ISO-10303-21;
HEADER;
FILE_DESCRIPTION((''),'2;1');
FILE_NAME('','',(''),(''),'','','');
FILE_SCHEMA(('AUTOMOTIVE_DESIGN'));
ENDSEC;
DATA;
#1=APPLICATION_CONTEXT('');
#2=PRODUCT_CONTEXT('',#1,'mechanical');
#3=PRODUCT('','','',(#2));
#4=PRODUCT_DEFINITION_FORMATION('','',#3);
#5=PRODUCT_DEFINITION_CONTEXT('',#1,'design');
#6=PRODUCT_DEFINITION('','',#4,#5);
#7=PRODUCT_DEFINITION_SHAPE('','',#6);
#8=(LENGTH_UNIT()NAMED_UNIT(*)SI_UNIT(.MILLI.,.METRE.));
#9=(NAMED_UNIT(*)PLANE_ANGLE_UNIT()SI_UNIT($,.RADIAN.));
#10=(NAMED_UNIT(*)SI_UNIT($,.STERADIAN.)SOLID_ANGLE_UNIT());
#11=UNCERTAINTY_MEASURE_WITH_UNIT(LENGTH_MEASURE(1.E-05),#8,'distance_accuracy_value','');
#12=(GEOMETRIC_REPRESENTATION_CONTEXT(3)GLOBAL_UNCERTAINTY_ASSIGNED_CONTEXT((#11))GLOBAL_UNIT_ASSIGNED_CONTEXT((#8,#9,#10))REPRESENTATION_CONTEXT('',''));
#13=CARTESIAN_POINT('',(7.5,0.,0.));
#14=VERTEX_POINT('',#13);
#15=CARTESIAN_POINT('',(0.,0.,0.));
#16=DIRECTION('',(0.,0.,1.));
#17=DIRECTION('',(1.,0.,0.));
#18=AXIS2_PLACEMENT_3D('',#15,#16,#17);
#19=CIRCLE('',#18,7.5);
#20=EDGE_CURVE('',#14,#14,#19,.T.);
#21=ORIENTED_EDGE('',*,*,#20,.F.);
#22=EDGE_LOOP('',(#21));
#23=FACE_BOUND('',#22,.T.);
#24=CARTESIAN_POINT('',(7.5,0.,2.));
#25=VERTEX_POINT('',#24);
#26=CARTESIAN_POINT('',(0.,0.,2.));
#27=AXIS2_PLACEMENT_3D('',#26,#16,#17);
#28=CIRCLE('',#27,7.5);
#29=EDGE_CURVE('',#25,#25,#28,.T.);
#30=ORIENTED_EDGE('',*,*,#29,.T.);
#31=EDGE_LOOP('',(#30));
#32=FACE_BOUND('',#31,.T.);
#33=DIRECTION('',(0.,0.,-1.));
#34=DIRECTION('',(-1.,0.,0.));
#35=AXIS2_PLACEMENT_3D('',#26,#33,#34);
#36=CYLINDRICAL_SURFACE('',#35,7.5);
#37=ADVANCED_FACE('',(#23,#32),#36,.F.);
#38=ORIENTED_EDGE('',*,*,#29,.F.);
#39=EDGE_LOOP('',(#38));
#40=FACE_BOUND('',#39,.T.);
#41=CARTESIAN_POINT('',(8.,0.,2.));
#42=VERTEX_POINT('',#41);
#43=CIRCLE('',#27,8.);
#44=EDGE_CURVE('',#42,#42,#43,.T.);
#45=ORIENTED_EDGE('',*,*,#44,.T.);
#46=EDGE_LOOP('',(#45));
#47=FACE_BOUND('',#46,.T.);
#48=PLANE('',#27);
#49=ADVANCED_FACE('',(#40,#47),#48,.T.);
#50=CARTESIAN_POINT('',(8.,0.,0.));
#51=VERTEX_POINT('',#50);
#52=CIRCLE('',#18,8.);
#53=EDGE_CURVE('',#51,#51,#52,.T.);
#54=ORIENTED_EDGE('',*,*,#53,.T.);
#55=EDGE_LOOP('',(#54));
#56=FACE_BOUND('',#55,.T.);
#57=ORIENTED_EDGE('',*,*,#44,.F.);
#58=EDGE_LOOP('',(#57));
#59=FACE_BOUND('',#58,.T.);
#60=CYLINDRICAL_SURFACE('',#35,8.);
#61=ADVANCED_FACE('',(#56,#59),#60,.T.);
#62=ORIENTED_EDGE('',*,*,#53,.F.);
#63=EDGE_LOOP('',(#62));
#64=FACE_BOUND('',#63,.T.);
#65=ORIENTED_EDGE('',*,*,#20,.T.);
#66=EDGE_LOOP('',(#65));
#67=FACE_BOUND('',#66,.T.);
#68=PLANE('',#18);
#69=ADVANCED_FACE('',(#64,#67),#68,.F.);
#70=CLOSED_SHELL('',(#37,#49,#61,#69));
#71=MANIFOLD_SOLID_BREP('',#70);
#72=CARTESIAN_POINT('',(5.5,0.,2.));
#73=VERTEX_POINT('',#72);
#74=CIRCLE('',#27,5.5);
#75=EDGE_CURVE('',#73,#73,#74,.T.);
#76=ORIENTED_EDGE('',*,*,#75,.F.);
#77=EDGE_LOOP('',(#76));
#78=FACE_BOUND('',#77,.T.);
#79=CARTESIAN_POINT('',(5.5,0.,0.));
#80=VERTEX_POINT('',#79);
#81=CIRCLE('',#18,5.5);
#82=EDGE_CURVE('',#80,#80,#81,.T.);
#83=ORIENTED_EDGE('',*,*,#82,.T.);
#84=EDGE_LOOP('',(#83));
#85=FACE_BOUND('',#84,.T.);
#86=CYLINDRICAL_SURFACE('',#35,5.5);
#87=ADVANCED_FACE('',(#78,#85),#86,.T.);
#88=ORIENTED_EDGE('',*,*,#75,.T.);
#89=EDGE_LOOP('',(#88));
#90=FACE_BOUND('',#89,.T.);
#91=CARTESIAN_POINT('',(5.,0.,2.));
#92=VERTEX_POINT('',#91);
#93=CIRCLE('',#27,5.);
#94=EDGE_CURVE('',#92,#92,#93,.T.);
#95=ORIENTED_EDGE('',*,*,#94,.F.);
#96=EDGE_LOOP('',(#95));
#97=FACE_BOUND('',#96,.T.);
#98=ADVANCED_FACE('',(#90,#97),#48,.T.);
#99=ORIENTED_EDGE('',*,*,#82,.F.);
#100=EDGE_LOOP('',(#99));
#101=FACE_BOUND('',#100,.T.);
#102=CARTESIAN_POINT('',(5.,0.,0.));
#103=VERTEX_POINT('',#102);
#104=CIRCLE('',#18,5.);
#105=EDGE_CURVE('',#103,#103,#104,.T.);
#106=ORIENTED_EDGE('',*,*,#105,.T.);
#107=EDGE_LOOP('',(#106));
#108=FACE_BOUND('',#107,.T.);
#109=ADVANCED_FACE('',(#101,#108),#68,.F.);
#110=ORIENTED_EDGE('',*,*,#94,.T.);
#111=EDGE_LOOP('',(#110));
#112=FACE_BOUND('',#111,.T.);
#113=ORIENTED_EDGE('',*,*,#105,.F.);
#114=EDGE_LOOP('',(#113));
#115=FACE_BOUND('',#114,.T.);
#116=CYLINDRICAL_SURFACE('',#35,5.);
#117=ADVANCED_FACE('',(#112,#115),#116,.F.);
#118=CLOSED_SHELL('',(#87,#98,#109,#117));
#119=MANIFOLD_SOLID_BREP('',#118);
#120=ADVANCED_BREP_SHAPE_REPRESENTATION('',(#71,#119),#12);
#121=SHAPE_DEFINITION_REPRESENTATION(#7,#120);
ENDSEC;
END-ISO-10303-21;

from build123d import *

# Parameters (mm, degrees)
SKETCH1_R             = 8
SKETCH1_R_2           = 7.5
BOSS_EXTRUDE1_DEPTH   = 2
SKETCH1_R_3           = 5.5
SKETCH1_R_4           = 5
BOSS_EXTRUDE1_2_DEPTH = 2


with BuildPart() as part:
    # Sketch1 → Boss-Extrude1 (new body)
    with BuildSketch(Plane.XY):
        Circle(SKETCH1_R)
        Circle(SKETCH1_R_2, mode=Mode.SUBTRACT)
    extrude(amount=BOSS_EXTRUDE1_DEPTH)


with BuildPart() as body_2:
    # Sketch1 → Boss-Extrude1 2 (new body)
    with BuildSketch(Plane.XY):
        Circle(SKETCH1_R_3)
        Circle(SKETCH1_R_4, mode=Mode.SUBTRACT)
    extrude(amount=BOSS_EXTRUDE1_2_DEPTH)


solid = Compound([part.part, body_2.part])
